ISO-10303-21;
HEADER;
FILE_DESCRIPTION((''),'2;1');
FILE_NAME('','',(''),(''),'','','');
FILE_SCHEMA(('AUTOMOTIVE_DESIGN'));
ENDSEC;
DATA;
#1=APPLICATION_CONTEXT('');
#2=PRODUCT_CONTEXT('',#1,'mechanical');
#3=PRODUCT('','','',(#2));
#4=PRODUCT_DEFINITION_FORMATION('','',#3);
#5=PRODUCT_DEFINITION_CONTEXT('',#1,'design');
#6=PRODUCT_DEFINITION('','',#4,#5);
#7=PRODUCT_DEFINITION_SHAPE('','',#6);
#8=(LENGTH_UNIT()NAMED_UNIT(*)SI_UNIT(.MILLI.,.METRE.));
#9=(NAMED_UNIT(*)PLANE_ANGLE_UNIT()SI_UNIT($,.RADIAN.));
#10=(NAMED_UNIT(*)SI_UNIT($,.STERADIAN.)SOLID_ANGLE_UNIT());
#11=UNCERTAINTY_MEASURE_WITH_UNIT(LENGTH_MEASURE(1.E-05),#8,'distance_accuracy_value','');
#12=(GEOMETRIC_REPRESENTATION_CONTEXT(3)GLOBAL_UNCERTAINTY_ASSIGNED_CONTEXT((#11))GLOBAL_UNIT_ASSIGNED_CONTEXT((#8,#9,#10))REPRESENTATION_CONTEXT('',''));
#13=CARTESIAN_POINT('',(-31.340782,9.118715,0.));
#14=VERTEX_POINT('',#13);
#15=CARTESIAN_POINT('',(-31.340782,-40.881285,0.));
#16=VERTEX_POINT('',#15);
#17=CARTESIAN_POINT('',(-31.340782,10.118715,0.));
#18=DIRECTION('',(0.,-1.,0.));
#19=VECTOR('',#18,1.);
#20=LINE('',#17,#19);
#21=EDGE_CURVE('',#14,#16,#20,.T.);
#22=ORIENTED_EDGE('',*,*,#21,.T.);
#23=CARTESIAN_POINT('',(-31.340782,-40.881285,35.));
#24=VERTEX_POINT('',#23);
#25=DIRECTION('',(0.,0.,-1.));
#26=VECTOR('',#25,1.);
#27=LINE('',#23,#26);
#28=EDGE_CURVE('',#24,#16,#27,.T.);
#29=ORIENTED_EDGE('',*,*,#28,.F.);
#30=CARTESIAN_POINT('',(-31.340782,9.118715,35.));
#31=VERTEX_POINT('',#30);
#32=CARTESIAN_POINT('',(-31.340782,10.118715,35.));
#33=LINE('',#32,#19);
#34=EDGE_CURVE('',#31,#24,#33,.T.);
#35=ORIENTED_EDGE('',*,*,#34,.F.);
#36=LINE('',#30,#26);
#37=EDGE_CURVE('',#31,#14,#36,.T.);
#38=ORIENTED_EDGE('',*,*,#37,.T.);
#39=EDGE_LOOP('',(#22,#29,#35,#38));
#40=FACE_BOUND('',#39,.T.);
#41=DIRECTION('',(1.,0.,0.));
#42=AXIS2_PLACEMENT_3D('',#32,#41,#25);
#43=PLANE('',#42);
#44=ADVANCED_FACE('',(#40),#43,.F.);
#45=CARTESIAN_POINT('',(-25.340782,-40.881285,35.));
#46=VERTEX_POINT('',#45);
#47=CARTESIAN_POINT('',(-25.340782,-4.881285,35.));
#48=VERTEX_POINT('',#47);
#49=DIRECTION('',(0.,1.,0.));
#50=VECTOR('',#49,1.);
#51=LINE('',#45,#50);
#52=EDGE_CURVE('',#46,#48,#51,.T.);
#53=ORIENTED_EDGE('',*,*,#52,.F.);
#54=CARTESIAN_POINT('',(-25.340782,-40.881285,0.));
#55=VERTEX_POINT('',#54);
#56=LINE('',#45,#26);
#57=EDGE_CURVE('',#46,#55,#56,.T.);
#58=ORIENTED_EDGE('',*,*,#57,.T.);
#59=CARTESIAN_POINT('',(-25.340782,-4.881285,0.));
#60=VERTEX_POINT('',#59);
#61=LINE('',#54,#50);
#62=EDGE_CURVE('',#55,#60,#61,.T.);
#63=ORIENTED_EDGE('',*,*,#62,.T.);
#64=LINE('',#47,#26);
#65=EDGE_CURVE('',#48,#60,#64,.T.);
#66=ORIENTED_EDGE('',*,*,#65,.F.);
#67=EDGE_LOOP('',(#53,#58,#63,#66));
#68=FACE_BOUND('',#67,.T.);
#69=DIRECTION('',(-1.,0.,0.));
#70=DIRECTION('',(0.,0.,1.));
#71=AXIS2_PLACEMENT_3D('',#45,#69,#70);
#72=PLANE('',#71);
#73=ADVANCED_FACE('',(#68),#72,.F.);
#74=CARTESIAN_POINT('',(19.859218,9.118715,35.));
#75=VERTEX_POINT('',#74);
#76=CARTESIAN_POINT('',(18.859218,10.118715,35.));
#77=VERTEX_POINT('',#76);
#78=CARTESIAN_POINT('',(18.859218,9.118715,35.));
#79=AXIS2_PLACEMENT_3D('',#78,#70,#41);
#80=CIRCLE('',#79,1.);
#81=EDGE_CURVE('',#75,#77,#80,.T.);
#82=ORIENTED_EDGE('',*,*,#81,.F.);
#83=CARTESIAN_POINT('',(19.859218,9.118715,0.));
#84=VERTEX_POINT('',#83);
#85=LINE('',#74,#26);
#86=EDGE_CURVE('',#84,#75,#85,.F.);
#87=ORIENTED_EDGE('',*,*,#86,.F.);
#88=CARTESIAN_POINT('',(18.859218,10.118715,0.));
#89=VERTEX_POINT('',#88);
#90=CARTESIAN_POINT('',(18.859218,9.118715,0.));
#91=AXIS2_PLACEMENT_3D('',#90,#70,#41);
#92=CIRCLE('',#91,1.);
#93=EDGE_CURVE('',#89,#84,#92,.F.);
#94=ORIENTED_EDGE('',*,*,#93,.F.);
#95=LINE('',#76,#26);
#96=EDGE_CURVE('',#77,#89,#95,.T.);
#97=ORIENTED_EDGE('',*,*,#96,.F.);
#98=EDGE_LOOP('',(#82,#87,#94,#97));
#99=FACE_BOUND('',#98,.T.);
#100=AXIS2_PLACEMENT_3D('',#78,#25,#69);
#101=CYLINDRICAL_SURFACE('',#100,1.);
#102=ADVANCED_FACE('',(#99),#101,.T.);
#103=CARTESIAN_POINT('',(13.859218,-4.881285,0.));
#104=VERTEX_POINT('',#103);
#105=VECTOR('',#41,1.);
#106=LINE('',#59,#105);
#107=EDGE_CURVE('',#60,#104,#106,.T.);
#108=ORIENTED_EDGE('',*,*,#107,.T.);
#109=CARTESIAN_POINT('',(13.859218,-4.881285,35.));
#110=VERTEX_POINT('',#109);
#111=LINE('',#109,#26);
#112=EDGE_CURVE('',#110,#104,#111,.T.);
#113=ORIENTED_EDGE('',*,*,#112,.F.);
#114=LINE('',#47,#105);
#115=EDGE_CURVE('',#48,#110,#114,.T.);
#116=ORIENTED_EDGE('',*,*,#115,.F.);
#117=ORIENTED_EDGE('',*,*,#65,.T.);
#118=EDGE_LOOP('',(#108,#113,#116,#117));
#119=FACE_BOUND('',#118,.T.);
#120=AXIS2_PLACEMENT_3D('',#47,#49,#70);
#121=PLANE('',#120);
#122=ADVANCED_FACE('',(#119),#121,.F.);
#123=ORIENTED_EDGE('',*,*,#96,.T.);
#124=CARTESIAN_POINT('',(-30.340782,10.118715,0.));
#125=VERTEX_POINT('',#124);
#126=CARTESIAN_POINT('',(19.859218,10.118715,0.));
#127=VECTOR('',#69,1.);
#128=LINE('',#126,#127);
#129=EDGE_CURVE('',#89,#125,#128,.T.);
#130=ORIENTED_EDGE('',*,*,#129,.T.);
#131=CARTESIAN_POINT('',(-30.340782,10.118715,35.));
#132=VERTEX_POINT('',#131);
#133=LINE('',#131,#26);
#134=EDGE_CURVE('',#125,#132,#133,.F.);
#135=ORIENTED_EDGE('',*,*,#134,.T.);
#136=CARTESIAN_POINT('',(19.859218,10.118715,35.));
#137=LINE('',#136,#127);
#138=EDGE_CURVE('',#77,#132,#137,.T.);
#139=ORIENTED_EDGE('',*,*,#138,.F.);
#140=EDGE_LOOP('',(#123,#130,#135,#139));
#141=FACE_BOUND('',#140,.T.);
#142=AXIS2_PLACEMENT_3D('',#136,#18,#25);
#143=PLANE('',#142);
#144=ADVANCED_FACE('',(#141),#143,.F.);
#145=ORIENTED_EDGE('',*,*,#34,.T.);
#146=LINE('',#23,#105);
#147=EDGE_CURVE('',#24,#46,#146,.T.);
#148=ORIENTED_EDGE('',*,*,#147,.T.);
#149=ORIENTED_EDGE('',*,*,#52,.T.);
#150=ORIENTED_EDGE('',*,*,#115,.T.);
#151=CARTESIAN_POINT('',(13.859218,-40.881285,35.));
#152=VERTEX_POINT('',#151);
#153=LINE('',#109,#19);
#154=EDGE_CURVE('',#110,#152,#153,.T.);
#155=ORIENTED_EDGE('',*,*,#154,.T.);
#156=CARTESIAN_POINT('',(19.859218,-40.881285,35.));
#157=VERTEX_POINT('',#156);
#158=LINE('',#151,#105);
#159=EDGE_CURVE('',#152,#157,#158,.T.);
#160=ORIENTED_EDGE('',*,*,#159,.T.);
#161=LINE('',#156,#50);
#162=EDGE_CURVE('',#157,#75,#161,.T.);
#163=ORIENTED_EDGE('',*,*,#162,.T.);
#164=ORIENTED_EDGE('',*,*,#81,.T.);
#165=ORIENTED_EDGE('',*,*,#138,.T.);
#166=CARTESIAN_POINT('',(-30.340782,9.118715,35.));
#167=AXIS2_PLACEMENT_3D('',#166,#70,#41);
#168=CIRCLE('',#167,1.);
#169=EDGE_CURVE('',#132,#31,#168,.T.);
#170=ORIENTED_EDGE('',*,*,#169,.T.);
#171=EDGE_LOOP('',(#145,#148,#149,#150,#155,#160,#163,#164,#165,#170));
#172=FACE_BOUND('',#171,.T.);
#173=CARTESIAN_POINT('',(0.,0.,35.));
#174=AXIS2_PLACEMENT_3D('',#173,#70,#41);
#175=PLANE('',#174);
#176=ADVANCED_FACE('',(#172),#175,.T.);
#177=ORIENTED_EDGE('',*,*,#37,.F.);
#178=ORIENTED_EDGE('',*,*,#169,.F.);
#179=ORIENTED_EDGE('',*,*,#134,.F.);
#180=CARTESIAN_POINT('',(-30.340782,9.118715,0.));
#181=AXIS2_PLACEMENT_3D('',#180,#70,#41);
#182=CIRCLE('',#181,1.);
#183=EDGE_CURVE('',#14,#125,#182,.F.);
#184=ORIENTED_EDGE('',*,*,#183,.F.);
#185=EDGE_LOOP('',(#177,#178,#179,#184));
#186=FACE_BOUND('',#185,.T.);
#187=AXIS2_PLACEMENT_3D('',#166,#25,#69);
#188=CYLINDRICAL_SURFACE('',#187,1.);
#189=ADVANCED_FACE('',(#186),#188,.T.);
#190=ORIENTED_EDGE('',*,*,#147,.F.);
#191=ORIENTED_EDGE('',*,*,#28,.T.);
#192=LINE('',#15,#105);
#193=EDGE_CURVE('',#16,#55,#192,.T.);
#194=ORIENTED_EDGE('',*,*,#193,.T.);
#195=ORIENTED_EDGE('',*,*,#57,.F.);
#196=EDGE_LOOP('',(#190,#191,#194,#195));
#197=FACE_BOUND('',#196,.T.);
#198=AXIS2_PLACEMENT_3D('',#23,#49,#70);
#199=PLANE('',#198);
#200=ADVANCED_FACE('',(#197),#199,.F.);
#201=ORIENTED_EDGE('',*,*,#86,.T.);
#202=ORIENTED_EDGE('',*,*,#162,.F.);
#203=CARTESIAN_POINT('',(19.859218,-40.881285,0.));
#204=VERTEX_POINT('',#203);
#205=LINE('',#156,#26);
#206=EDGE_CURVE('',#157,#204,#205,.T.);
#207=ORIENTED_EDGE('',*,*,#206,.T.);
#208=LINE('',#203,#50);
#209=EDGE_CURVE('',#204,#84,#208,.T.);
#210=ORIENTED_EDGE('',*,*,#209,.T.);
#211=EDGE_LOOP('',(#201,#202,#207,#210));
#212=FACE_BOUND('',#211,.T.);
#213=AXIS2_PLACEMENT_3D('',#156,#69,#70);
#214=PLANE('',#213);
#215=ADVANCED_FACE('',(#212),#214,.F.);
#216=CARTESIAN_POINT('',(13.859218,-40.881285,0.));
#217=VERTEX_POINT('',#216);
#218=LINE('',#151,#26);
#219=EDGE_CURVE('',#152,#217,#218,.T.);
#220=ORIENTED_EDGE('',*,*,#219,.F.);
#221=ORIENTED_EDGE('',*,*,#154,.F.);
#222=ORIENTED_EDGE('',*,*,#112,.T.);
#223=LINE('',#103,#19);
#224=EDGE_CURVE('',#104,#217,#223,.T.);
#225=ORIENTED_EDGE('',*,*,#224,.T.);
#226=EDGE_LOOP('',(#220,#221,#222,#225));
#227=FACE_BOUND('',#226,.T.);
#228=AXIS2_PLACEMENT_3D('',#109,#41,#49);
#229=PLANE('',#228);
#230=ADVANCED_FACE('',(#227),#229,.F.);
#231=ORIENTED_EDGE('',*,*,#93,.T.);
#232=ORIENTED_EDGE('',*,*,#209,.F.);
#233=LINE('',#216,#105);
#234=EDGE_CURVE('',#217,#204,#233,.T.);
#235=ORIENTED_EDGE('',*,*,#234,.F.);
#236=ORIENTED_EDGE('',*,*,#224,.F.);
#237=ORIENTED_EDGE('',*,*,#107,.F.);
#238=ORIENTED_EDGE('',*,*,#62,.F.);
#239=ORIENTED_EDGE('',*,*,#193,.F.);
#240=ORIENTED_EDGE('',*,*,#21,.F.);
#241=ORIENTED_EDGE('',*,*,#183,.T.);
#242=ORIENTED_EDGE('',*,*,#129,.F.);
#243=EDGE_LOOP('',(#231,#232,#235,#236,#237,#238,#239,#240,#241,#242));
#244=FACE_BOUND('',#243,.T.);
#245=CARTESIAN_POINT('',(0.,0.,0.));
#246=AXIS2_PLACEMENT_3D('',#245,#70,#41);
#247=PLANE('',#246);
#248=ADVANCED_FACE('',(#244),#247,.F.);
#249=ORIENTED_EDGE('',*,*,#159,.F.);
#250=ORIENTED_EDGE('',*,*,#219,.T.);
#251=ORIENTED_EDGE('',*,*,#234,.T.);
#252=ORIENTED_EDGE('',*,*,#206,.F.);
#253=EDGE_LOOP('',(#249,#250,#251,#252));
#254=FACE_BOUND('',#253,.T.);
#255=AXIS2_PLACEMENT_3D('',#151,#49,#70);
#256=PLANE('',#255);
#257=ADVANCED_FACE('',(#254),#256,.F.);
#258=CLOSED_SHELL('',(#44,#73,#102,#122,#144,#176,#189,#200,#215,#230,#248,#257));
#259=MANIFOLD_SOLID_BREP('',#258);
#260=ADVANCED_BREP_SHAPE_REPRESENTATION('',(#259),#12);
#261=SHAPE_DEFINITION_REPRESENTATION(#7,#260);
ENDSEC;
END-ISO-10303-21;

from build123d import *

# Parameters (mm, degrees)
BOSS_EXTRUDE1_DEPTH = 35
FILLET1_R           = 1


with BuildPart() as part:
    # Sketch1 → Boss-Extrude1 (new body)
    with BuildSketch(Plane.XY):
        Polygon((-25.340782123, -40.881284916), (-25.340782123, -4.881284916), (13.859217877, -4.881284916), (13.859217877, -40.881284916), (19.859217877, -40.881284916), (19.859217877, 10.118715084), (-31.340782123, 10.118715084), (-31.340782123, -40.881284916), align=None)
    extrude(amount=BOSS_EXTRUDE1_DEPTH)

    # Fillet1
    fillet1_edges = [part.edges().sort_by_distance(p)[0] for p in [
        (-31.340782123, 10.118715084, 17.5),
        (19.859217877, 10.118715084, 17.5),
    ]]
    fillet(fillet1_edges, radius=FILLET1_R)


solid = part.part
